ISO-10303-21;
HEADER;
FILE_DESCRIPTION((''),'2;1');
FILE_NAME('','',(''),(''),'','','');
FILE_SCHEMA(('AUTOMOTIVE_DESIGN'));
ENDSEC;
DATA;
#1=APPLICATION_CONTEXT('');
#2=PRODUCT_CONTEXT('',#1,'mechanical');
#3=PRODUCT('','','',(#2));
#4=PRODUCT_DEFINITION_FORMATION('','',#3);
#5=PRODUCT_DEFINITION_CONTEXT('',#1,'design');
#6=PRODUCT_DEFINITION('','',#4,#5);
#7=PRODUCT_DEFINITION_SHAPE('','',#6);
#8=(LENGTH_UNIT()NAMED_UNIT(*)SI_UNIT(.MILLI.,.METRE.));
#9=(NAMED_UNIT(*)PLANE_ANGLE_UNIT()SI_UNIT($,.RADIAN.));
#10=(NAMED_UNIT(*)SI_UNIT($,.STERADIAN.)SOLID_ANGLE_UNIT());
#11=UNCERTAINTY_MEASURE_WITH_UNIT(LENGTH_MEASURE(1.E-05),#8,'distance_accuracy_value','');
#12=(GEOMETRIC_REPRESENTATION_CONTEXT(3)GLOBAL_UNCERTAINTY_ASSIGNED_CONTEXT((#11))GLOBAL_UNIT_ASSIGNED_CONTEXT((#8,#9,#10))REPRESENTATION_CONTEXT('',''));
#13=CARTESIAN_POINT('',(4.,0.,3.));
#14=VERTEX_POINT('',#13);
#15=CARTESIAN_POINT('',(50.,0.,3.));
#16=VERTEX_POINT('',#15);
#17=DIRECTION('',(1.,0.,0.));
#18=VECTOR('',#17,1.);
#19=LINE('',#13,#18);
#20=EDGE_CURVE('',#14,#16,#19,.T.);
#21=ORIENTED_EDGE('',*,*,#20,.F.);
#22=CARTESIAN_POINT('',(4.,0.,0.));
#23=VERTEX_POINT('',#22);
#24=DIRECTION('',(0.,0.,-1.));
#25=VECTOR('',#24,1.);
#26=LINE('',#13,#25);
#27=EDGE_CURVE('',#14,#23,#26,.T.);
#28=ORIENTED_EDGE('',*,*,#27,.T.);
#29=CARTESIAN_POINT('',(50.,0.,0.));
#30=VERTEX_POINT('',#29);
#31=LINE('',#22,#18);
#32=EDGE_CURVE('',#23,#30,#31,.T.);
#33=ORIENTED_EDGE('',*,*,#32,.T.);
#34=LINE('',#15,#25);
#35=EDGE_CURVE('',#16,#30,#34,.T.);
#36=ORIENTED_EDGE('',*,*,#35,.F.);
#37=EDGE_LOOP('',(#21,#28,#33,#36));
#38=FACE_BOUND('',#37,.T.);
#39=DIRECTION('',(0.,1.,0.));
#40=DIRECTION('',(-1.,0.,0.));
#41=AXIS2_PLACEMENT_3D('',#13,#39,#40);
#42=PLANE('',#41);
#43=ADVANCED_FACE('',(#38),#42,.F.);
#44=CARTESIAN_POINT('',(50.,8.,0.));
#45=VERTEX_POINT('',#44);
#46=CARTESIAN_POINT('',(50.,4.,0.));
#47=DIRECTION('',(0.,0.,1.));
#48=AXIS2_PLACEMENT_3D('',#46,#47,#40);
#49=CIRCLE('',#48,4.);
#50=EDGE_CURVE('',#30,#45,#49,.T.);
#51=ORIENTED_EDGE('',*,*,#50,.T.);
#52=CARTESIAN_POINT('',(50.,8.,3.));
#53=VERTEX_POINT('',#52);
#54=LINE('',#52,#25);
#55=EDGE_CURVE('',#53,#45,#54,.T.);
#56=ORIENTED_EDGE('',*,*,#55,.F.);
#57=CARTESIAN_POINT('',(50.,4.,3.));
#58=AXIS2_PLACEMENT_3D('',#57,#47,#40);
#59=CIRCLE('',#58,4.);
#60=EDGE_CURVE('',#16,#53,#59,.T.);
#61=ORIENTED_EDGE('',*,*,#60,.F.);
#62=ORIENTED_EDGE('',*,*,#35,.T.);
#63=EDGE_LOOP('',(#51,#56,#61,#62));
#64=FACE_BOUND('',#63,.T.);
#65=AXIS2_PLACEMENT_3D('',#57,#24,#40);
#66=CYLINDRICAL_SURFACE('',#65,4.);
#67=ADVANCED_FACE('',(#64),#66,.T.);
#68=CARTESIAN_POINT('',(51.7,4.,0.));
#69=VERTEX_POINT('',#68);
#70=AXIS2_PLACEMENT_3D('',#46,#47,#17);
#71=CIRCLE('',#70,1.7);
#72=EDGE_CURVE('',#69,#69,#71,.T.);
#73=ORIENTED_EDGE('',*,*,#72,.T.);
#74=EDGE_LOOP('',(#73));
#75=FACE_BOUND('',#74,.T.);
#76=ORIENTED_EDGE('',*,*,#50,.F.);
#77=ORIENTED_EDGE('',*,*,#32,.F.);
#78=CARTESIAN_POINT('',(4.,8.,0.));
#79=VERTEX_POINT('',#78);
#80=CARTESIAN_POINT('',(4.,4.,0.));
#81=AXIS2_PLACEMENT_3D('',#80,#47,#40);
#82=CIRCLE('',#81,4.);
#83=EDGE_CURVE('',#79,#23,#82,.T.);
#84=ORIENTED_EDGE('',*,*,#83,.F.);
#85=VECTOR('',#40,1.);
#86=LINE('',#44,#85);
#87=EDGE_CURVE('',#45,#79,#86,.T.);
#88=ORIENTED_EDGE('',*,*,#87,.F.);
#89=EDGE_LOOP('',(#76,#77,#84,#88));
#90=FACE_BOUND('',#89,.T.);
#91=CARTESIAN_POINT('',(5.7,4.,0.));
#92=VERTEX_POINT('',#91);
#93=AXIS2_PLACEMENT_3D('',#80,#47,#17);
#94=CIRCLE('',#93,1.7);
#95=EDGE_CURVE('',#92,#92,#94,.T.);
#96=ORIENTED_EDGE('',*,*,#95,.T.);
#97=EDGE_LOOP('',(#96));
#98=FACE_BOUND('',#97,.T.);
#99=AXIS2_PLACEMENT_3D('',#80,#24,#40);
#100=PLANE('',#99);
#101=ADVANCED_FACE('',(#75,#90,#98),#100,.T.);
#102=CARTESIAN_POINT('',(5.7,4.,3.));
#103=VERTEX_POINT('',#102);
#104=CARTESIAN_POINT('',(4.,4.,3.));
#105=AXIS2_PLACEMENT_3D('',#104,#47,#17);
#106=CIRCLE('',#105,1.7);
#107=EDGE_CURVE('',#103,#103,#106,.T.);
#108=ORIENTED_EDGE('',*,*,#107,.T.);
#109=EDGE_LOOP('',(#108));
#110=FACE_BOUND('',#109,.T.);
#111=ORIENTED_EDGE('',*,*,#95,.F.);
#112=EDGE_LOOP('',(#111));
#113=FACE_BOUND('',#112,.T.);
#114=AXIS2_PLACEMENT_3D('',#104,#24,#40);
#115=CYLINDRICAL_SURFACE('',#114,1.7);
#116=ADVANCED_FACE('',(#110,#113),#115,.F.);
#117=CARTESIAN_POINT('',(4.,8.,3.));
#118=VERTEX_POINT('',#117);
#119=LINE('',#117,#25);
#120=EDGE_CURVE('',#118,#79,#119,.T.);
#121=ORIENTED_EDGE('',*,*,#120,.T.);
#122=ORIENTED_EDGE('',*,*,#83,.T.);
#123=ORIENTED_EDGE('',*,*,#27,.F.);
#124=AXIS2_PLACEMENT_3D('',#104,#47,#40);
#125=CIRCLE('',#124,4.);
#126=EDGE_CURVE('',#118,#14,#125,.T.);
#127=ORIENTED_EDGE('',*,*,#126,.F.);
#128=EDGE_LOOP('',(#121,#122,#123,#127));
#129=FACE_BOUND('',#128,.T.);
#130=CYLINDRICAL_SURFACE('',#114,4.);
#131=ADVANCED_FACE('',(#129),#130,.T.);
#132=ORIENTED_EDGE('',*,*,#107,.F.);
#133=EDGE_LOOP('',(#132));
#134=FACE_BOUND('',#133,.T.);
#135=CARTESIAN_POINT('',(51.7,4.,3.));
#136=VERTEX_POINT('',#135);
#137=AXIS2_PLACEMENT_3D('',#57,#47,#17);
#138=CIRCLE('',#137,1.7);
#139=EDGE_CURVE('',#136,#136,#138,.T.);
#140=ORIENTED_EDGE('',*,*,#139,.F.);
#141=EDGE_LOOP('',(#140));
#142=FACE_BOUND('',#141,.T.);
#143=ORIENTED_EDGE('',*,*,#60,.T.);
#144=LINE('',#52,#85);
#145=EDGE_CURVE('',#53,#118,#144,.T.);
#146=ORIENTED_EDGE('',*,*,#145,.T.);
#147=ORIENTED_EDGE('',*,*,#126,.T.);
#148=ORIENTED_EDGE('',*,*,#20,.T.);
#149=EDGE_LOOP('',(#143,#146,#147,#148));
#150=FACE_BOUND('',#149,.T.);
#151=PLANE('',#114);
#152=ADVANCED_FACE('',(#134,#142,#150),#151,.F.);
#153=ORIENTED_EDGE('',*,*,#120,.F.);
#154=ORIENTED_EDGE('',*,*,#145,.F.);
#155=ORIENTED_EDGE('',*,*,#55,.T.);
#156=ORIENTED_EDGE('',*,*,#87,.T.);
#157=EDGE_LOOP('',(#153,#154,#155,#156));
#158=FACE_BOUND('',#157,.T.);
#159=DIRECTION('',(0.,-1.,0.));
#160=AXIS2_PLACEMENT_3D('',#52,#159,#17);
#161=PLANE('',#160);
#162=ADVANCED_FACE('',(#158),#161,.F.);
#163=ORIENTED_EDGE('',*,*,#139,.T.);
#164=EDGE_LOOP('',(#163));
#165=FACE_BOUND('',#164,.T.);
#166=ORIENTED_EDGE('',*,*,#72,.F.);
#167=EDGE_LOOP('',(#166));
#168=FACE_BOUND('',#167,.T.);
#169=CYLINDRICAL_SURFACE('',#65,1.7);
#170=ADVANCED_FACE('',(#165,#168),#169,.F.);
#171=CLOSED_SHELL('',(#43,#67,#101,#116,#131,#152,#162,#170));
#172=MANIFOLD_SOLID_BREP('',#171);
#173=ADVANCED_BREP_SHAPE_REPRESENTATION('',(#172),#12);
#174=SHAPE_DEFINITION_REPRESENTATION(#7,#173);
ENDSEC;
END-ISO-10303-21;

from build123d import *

# Parameters (mm, degrees)
ESQUISSE1_R        = 1.7
BOSS_EXTRU_1_DEPTH = 3


with BuildPart() as part:
    # Esquisse1 → Boss.-Extru.1 (new body)
    with BuildSketch(Plane.XY):
        with BuildLine():
            Line((50, 8), (4, 8))
            ThreePointArc((4, 8), (0, 4), (4, 0))
            Line((4, 0), (50, 0))
            ThreePointArc((50, 0), (54, 4), (50, 8))
        make_face()
        with Locations((4, 4)):
            Circle(ESQUISSE1_R, mode=Mode.SUBTRACT)
        with Locations((50, 4)):
            Circle(ESQUISSE1_R, mode=Mode.SUBTRACT)
    extrude(amount=BOSS_EXTRU_1_DEPTH)


solid = part.part
